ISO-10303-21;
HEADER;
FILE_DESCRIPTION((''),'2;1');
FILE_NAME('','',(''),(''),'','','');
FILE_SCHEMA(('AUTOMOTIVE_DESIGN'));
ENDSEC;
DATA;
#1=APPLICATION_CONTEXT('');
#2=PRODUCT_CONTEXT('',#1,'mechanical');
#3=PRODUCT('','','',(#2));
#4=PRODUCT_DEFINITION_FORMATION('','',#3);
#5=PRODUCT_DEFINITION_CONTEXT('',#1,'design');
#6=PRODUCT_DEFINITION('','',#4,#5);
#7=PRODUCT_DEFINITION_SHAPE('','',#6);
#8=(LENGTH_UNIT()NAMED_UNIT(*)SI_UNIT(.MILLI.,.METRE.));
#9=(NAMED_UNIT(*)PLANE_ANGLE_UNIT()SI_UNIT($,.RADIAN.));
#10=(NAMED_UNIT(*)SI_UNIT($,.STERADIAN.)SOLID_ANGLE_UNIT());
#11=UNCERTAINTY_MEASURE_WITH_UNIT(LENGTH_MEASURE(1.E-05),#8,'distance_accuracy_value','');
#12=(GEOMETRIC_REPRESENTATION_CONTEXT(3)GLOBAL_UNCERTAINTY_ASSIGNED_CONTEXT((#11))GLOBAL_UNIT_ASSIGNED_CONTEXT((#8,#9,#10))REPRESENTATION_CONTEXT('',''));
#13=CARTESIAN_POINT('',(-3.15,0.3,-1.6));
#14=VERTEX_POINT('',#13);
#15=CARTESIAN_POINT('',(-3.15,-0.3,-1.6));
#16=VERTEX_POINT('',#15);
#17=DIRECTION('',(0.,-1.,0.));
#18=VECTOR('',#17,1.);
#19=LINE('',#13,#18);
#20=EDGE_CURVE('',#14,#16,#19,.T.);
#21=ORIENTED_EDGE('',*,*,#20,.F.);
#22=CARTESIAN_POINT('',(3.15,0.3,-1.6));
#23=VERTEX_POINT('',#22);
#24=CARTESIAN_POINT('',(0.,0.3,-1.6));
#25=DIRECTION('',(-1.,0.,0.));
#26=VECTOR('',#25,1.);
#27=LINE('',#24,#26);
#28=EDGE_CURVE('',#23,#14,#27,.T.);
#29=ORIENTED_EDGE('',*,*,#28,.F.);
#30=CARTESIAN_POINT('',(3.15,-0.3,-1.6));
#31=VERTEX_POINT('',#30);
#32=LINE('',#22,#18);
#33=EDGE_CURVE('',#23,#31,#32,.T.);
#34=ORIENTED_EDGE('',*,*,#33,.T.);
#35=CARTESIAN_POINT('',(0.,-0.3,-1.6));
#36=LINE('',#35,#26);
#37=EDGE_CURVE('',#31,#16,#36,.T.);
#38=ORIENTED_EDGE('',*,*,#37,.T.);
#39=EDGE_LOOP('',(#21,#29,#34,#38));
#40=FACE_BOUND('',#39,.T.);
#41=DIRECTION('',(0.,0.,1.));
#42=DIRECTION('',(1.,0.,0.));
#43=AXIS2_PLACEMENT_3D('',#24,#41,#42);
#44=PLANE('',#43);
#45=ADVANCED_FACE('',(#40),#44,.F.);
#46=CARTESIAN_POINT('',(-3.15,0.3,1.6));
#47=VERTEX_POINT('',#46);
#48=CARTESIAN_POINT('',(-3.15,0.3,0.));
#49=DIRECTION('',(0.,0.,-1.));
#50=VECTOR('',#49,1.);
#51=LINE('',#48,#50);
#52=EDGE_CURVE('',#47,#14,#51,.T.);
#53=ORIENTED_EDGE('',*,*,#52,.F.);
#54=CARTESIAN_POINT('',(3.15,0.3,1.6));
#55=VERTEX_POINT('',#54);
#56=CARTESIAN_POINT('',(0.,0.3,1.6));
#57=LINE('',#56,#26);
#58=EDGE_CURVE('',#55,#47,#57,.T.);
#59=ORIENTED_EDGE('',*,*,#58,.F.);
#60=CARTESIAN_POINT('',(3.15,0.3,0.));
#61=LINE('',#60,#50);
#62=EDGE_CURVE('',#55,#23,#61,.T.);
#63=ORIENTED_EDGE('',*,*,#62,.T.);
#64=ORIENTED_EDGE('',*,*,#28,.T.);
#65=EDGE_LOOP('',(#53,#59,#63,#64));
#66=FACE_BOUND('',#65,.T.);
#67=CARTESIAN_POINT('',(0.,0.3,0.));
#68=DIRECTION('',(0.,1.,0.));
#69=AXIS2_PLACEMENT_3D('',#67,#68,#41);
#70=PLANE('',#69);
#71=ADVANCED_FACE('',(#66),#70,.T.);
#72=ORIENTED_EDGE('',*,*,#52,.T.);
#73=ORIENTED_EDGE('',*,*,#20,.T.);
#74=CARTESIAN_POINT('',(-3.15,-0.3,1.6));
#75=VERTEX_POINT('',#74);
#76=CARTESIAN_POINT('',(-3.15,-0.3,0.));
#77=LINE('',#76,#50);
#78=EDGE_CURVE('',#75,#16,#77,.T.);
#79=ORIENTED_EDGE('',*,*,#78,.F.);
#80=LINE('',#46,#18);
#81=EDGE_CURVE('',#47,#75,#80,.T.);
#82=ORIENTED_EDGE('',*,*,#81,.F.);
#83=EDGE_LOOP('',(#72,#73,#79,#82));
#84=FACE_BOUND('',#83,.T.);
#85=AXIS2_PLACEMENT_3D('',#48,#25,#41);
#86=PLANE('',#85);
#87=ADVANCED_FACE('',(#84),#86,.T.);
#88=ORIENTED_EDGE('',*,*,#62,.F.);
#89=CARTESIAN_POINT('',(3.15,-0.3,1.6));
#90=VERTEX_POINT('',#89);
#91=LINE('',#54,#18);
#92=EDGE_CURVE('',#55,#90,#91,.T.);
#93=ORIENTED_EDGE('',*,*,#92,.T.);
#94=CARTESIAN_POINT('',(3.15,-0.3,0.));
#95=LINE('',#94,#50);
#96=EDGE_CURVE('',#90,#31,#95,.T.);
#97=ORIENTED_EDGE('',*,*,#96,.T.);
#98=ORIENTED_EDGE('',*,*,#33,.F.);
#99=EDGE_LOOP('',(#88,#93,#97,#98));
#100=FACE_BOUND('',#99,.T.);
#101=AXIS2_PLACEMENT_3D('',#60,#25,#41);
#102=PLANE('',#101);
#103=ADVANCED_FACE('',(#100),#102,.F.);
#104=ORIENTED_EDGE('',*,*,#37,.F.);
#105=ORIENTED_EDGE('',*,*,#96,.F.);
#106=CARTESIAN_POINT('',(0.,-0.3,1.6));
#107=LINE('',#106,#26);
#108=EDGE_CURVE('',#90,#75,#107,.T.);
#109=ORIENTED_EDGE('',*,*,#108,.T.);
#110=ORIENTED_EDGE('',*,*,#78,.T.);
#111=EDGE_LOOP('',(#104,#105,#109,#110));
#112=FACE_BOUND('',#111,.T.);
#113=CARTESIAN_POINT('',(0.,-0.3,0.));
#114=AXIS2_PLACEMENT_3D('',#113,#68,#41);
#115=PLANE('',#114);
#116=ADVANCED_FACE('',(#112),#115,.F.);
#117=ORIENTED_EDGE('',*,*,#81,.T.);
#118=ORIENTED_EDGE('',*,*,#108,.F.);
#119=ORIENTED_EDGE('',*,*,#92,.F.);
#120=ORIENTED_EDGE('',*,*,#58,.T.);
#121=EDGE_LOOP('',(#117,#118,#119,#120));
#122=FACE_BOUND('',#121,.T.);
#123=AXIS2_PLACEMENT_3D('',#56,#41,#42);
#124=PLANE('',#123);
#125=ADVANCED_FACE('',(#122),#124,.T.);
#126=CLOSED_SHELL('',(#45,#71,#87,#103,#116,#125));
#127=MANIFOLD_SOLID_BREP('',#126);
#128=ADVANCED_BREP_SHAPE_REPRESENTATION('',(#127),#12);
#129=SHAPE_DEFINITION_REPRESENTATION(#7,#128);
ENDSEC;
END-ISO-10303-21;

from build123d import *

# Parameters (mm, degrees)
SKETCH1_W           = 5.1
SKETCH1_H           = 3.2
SKETCH1_W_2         = 0.6
BOSS_EXTRUDE1_DEPTH = 0.3


with BuildPart() as part:
    # Sketch1 → Boss-Extrude1 (new body, symmetric)
    with BuildSketch(Plane(origin=(0, 0, 0), x_dir=(1, 0, 0), z_dir=(0, 1, 0))):
        Rectangle(SKETCH1_W, SKETCH1_H)
        with Locations((-2.85, 0)):
            Rectangle(SKETCH1_W_2, SKETCH1_H)
        with Locations((2.85, 0)):
            Rectangle(SKETCH1_W_2, SKETCH1_H)
    extrude(amount=BOSS_EXTRUDE1_DEPTH, both=True)


solid = part.part
